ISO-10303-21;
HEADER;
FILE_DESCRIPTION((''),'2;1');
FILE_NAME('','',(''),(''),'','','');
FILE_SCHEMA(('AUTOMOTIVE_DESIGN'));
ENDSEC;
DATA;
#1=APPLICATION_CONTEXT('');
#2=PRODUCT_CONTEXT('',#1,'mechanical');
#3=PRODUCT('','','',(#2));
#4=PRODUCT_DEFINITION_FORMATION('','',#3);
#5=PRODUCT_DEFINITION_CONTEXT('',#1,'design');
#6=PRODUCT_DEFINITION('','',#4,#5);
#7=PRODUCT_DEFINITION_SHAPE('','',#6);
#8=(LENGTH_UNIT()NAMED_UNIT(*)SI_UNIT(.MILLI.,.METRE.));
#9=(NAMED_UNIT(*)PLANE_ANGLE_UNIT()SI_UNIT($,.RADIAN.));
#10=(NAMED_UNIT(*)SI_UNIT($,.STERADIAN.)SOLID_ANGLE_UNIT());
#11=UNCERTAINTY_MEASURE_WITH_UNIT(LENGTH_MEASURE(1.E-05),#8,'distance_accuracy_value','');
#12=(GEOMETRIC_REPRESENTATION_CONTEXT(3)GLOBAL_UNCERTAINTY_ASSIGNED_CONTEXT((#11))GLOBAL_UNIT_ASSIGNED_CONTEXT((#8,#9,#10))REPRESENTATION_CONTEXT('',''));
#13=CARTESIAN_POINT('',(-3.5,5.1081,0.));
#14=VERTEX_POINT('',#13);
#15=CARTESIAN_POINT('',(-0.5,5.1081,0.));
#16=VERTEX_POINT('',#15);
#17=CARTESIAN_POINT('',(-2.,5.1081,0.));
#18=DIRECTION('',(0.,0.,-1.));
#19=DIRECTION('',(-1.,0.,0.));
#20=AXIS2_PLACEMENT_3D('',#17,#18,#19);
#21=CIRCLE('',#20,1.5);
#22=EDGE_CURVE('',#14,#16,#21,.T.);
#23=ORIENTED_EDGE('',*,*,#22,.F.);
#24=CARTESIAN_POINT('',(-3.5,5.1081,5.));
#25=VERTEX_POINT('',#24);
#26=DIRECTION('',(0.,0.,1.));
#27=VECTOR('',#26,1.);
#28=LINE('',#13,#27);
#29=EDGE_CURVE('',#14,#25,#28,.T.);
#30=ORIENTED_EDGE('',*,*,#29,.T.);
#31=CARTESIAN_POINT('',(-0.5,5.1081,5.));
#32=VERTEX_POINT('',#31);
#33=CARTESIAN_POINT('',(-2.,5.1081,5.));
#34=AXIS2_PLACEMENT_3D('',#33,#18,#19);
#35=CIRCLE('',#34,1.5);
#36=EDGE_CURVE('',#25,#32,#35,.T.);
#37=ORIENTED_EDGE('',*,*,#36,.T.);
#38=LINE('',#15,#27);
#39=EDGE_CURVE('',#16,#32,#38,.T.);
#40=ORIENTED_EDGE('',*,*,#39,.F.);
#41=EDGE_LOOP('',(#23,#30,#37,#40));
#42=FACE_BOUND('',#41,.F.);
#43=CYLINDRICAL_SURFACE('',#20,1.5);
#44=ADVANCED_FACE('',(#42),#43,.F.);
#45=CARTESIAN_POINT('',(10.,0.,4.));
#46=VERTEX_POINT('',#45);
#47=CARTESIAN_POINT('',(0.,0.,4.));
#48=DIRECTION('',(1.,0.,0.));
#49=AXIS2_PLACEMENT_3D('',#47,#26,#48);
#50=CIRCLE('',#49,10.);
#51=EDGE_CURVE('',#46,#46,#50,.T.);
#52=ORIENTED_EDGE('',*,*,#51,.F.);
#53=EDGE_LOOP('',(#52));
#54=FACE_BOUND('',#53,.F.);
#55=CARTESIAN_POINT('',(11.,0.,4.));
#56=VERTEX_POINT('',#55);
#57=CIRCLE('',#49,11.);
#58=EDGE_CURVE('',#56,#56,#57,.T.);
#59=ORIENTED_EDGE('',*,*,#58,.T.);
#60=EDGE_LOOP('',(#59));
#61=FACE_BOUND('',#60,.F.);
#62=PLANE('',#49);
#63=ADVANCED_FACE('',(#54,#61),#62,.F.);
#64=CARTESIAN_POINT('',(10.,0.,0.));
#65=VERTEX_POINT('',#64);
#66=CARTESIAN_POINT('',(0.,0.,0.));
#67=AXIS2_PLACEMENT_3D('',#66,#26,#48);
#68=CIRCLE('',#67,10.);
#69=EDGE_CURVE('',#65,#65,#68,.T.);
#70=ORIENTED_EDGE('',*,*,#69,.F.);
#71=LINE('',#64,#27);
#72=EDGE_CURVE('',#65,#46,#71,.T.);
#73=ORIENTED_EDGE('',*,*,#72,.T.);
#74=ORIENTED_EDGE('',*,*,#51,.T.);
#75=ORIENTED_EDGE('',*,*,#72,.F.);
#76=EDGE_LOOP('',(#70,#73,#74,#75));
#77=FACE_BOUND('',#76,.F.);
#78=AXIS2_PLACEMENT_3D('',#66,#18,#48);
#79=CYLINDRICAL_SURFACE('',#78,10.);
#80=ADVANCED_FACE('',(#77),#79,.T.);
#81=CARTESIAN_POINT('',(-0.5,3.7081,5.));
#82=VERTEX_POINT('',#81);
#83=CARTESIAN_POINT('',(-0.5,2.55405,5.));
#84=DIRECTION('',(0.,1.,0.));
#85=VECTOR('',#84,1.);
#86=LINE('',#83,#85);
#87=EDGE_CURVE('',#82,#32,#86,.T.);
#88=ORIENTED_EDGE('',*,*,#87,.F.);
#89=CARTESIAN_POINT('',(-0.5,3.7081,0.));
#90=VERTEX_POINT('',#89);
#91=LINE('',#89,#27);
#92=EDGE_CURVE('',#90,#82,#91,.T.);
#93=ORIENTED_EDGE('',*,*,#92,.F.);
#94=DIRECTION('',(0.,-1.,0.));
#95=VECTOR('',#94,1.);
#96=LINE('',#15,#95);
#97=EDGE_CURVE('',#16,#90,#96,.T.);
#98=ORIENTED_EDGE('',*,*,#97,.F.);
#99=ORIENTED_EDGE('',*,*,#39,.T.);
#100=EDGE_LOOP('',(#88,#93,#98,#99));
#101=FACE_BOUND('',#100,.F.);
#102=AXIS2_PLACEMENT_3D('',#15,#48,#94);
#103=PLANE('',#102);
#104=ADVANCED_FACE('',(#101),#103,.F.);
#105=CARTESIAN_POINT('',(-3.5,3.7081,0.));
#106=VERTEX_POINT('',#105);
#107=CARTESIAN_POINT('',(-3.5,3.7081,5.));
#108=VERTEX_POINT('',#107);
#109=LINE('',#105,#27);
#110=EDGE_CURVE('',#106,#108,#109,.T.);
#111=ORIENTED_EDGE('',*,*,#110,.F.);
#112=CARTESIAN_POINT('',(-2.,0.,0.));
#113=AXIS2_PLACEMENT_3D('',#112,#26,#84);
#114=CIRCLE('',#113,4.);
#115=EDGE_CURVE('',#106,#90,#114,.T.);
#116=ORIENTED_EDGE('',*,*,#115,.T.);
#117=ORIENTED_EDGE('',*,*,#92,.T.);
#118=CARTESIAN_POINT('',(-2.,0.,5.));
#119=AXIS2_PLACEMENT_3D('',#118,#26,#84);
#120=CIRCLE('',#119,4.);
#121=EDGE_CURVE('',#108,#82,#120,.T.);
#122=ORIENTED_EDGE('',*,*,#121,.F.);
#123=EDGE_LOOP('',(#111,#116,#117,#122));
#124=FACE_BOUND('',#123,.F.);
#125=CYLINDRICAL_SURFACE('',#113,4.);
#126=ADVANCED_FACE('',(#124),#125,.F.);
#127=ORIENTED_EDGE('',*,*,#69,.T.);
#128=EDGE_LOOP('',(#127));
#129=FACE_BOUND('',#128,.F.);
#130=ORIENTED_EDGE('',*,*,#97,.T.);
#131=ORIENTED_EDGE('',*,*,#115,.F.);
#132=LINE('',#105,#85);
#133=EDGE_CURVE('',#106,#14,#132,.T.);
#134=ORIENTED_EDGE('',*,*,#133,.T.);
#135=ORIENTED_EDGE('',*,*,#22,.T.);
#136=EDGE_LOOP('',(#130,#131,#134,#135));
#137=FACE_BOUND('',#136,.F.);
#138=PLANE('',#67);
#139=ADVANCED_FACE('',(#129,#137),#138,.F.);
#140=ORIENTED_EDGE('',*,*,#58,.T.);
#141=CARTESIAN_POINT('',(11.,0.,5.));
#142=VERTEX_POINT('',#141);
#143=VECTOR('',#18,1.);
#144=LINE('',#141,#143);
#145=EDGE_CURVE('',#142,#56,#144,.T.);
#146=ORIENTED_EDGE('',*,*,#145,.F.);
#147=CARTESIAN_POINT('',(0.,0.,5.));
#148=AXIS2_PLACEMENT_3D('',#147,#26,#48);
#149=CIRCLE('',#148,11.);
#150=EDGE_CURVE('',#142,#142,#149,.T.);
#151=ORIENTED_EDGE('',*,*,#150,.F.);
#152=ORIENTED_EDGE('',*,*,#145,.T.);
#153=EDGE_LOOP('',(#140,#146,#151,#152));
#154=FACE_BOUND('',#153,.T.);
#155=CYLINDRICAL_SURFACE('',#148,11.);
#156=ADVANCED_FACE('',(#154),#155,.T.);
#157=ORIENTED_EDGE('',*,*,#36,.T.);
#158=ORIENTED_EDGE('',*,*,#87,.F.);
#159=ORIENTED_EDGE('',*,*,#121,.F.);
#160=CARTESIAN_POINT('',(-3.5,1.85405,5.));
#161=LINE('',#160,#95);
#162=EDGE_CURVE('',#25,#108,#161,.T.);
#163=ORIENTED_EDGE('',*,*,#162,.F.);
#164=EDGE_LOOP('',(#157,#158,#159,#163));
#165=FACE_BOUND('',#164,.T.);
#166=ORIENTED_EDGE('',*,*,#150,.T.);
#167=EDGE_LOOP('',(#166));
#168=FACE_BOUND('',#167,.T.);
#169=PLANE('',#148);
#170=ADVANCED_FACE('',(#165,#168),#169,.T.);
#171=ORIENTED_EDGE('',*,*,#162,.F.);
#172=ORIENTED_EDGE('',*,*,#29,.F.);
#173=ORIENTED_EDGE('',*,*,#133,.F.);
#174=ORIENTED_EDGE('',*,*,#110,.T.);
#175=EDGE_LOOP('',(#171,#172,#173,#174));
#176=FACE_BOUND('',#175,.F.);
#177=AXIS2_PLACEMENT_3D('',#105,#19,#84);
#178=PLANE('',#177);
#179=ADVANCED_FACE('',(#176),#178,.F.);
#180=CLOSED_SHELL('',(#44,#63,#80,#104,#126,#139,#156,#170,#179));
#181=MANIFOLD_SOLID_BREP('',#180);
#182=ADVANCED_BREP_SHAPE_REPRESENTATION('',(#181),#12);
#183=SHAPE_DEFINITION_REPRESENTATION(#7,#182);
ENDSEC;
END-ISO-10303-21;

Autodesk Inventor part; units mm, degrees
ref_plane "YZ Plane" through (0, 0, 0) normal (1, 0, 0) x (0, 1, 0)
ref_plane "XZ Plane" through (0, 0, 0) normal (0, 1, 0) x (-1, 0, 0)
ref_plane "XY Plane" through (0, 0, 0) normal (0, 0, 1) x (1, 0, 0)
sketch "スケッチ1" plane through (0, 0, 0) normal (0, 0, 1) x (1, 0, 0)
  circle A0 centre (0, 0) radius 10
  dimension "d0" = 20
extrude "押し出し1" add sketch "スケッチ1" along normal blind 5
sketch "スケッチ2" plane through (0, 0, 5) normal (0, 0, 1) x (1, 0, 0)
  circle A0 centre (0, 0) radius 10 projected
  circle A1 centre (0, 0) radius 11
  circle A2 centre (0, 0) radius 10 projected
  dimension "d3" = 22
extrude "押し出し2" add sketch "スケッチ2" against normal blind 1
sketch "スケッチ3" plane through (0, 0, 0) normal (0, 0, -1) x (-1, 0, 0)
  point P0 (0, 0)
  point P1 (2, 0)
  dimension "d6" = 2
hole "穴1" at (-2, 0, 0) direction (0, 0, 1) diameter 8 end through all
sketch "スケッチ4" plane through (0, 0, 0) normal (0, 0, -1) x (-1, 0, 0)
  circle A0 centre (2, 0) radius 4 projected
  line L0 (0.5, 3.7081) -> (3.5, 3.7081)
  line L1 (3.5, 3.7081) -> (3.5, 5.1081)
  line L2 (3.5, 5.1081) -> (0.5, 5.1081)
  line L3 (0.5, 5.1081) -> (0.5, 3.7081)
  circle A1 centre (2, 5.1081) radius 1.5
  point P0 (0, 0)
  point P1 (0.5, 5.1081)
  dimension "d14" = 3
  dimension "d15" = 1.4
extrude "押し出し3" cut sketch "スケッチ4" against normal through all contours L0 A1 A0 | A0 A1 L1 | L3 A1 A0 | A0 A1 L0 | A1 L0 A0 | A0 A1 L2 | L2 A1 picked at (3.1128, 3.733) picked at (0.8872, 3.733) picked at (2.0995, 3.8017)
equation "\"d6\" = r"
equation "\"r\" = 2"
properties part number "偏心軸板" material "アルミニウム 6061"
